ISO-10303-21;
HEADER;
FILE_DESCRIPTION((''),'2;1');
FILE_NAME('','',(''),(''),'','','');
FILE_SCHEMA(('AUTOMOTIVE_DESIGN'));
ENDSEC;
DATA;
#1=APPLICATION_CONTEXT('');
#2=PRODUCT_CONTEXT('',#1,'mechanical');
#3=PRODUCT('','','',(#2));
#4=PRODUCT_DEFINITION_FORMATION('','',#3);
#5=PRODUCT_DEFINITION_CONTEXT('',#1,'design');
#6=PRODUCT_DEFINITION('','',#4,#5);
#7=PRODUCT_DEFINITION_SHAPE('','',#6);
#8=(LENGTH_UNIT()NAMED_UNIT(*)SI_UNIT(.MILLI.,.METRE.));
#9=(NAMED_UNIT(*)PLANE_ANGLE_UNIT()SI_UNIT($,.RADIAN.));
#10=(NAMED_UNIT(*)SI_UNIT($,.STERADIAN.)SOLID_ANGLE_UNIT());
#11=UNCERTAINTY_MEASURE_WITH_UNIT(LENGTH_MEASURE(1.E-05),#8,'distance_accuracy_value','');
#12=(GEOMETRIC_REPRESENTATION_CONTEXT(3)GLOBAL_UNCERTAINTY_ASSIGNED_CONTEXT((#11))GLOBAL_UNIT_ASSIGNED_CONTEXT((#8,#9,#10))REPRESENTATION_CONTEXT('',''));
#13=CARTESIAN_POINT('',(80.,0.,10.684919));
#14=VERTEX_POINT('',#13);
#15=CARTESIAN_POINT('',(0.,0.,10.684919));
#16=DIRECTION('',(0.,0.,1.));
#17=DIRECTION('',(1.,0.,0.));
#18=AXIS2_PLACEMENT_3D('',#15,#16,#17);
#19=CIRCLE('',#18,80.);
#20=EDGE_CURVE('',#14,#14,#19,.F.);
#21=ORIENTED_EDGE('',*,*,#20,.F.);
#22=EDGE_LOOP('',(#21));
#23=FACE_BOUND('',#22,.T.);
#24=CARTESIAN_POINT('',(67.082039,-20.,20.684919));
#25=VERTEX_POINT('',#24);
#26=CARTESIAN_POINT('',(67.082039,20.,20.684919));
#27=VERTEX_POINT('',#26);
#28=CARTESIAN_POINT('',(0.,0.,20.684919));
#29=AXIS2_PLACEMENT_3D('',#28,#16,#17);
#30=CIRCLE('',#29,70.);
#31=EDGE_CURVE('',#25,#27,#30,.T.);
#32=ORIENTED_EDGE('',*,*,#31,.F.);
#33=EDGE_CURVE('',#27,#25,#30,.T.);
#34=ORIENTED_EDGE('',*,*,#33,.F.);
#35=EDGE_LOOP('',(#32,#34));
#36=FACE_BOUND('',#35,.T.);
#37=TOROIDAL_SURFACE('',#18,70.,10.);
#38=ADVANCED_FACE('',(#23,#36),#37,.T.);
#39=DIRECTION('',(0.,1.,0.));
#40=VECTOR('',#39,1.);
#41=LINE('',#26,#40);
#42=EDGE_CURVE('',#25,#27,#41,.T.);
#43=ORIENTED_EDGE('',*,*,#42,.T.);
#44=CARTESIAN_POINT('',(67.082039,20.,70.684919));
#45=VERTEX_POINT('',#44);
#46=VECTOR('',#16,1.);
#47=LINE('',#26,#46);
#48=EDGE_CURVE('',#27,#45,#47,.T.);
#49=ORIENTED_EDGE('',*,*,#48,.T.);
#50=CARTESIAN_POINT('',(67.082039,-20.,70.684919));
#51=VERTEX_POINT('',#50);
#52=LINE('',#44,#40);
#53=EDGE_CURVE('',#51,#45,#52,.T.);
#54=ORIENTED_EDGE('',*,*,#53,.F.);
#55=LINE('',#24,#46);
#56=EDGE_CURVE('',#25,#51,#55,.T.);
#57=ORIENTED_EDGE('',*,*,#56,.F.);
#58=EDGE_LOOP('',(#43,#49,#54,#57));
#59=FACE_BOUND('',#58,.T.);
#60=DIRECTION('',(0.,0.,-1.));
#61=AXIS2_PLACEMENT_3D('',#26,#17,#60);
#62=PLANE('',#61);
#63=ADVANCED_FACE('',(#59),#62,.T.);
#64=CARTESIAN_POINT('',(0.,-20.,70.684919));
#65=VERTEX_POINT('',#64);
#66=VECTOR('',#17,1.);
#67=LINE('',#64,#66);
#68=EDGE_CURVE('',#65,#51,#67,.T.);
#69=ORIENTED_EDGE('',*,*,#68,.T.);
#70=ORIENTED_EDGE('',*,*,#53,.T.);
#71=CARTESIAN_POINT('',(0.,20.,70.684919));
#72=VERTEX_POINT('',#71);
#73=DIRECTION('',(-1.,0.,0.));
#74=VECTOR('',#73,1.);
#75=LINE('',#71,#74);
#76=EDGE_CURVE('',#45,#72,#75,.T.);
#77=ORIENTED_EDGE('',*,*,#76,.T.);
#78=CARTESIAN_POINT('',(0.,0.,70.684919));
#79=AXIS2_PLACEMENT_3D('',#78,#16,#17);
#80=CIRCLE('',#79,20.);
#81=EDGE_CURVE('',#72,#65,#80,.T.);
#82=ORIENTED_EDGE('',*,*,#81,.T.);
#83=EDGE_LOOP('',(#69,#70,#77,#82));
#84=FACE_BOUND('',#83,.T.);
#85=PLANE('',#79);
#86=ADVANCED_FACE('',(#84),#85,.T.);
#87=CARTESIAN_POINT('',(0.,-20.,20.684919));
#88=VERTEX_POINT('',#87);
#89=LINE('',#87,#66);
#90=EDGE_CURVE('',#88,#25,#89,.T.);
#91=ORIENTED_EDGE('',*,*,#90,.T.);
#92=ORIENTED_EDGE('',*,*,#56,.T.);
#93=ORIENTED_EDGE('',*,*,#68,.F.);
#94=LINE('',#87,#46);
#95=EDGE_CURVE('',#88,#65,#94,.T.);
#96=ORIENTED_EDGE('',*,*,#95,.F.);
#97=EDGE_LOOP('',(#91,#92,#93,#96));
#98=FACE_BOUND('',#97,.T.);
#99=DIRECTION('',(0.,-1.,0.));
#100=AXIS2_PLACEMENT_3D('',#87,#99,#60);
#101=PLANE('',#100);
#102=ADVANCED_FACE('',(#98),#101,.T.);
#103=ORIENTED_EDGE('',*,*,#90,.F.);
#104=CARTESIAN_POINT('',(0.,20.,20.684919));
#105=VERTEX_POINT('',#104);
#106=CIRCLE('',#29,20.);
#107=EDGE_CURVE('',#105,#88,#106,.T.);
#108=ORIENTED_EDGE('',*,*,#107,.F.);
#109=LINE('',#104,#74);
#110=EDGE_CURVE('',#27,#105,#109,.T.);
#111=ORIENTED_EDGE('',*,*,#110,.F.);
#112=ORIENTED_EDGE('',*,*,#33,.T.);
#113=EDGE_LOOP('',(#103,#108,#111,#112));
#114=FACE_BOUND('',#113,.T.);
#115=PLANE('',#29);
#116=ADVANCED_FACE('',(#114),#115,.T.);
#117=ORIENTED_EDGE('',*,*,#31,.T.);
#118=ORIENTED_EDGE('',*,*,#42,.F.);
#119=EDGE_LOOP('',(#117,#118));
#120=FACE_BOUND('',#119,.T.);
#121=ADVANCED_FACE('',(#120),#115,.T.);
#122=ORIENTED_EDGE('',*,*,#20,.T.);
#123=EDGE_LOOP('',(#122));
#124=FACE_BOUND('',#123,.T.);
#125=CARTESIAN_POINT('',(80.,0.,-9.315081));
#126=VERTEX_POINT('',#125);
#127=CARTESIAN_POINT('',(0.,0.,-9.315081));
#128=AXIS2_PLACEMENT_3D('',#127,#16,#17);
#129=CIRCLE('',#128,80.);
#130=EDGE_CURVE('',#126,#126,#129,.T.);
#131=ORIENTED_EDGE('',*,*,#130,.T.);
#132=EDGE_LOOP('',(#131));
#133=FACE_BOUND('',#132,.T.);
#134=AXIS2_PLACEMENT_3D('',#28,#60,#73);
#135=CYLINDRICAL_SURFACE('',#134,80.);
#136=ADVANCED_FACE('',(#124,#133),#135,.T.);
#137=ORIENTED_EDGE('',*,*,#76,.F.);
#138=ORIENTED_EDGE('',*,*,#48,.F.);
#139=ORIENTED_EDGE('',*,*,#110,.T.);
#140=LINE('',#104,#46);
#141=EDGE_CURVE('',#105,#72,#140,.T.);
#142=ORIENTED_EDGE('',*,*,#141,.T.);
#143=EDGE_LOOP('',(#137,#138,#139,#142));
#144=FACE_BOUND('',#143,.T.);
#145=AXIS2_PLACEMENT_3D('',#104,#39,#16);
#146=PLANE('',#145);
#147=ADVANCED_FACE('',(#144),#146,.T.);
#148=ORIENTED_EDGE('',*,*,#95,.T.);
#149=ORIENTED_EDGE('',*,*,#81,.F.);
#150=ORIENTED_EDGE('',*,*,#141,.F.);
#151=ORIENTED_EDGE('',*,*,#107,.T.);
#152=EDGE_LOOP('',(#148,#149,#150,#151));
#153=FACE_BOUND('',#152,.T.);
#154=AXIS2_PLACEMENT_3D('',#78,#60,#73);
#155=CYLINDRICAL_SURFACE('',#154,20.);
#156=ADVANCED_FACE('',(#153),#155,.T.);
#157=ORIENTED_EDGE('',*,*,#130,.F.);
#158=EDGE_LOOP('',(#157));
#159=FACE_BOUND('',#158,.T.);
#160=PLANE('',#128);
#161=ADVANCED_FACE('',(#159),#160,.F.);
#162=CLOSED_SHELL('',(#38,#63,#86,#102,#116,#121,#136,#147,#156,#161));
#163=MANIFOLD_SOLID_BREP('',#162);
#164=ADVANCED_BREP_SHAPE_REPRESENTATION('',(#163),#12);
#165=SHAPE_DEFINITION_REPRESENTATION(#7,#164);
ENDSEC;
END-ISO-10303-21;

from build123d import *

# Parameters (mm, degrees)
SKETCH1_R           = 40
BOSS_EXTRUDE1_DEPTH = 15
FILLET1_R           = 5
SKETCH2_R           = 10
BOSS_EXTRUDE2_DEPTH = 25
SCALE1_SCALE        = 2
SKETCH3_W           = 67.082039325
SKETCH3_H           = 40
BOSS_EXTRUDE3_DEPTH = 50


with BuildPart() as part:
    # Sketch1 → Boss-Extrude1 (new body)
    with BuildSketch(Plane.XY):
        Circle(SKETCH1_R)
    extrude(amount=BOSS_EXTRUDE1_DEPTH)

    # Fillet1
    fillet1_edges = [part.edges().sort_by_distance(p)[0] for p in [
        (-40, 0, 15),
    ]]
    fillet(fillet1_edges, radius=FILLET1_R)

    # Sketch2 → Boss-Extrude2 (add)
    with BuildSketch(Plane.XY.offset(15)):
        Circle(SKETCH2_R)
    extrude(amount=BOSS_EXTRUDE2_DEPTH)


with BuildPart() as part_1:
    # Scale1: scaled about (0, 0, 9.31508132)
    add(part.part.scale(SCALE1_SCALE).moved(Location((0, 0, -9.31508132))))

    # Sketch3 → Boss-Extrude3 (add)
    with BuildSketch(Plane.XY.offset(70.68491868)):
        with Locations((33.541019663, 0)):
            Rectangle(SKETCH3_W, SKETCH3_H)
    extrude(amount=-BOSS_EXTRUDE3_DEPTH)


solid = part_1.part
